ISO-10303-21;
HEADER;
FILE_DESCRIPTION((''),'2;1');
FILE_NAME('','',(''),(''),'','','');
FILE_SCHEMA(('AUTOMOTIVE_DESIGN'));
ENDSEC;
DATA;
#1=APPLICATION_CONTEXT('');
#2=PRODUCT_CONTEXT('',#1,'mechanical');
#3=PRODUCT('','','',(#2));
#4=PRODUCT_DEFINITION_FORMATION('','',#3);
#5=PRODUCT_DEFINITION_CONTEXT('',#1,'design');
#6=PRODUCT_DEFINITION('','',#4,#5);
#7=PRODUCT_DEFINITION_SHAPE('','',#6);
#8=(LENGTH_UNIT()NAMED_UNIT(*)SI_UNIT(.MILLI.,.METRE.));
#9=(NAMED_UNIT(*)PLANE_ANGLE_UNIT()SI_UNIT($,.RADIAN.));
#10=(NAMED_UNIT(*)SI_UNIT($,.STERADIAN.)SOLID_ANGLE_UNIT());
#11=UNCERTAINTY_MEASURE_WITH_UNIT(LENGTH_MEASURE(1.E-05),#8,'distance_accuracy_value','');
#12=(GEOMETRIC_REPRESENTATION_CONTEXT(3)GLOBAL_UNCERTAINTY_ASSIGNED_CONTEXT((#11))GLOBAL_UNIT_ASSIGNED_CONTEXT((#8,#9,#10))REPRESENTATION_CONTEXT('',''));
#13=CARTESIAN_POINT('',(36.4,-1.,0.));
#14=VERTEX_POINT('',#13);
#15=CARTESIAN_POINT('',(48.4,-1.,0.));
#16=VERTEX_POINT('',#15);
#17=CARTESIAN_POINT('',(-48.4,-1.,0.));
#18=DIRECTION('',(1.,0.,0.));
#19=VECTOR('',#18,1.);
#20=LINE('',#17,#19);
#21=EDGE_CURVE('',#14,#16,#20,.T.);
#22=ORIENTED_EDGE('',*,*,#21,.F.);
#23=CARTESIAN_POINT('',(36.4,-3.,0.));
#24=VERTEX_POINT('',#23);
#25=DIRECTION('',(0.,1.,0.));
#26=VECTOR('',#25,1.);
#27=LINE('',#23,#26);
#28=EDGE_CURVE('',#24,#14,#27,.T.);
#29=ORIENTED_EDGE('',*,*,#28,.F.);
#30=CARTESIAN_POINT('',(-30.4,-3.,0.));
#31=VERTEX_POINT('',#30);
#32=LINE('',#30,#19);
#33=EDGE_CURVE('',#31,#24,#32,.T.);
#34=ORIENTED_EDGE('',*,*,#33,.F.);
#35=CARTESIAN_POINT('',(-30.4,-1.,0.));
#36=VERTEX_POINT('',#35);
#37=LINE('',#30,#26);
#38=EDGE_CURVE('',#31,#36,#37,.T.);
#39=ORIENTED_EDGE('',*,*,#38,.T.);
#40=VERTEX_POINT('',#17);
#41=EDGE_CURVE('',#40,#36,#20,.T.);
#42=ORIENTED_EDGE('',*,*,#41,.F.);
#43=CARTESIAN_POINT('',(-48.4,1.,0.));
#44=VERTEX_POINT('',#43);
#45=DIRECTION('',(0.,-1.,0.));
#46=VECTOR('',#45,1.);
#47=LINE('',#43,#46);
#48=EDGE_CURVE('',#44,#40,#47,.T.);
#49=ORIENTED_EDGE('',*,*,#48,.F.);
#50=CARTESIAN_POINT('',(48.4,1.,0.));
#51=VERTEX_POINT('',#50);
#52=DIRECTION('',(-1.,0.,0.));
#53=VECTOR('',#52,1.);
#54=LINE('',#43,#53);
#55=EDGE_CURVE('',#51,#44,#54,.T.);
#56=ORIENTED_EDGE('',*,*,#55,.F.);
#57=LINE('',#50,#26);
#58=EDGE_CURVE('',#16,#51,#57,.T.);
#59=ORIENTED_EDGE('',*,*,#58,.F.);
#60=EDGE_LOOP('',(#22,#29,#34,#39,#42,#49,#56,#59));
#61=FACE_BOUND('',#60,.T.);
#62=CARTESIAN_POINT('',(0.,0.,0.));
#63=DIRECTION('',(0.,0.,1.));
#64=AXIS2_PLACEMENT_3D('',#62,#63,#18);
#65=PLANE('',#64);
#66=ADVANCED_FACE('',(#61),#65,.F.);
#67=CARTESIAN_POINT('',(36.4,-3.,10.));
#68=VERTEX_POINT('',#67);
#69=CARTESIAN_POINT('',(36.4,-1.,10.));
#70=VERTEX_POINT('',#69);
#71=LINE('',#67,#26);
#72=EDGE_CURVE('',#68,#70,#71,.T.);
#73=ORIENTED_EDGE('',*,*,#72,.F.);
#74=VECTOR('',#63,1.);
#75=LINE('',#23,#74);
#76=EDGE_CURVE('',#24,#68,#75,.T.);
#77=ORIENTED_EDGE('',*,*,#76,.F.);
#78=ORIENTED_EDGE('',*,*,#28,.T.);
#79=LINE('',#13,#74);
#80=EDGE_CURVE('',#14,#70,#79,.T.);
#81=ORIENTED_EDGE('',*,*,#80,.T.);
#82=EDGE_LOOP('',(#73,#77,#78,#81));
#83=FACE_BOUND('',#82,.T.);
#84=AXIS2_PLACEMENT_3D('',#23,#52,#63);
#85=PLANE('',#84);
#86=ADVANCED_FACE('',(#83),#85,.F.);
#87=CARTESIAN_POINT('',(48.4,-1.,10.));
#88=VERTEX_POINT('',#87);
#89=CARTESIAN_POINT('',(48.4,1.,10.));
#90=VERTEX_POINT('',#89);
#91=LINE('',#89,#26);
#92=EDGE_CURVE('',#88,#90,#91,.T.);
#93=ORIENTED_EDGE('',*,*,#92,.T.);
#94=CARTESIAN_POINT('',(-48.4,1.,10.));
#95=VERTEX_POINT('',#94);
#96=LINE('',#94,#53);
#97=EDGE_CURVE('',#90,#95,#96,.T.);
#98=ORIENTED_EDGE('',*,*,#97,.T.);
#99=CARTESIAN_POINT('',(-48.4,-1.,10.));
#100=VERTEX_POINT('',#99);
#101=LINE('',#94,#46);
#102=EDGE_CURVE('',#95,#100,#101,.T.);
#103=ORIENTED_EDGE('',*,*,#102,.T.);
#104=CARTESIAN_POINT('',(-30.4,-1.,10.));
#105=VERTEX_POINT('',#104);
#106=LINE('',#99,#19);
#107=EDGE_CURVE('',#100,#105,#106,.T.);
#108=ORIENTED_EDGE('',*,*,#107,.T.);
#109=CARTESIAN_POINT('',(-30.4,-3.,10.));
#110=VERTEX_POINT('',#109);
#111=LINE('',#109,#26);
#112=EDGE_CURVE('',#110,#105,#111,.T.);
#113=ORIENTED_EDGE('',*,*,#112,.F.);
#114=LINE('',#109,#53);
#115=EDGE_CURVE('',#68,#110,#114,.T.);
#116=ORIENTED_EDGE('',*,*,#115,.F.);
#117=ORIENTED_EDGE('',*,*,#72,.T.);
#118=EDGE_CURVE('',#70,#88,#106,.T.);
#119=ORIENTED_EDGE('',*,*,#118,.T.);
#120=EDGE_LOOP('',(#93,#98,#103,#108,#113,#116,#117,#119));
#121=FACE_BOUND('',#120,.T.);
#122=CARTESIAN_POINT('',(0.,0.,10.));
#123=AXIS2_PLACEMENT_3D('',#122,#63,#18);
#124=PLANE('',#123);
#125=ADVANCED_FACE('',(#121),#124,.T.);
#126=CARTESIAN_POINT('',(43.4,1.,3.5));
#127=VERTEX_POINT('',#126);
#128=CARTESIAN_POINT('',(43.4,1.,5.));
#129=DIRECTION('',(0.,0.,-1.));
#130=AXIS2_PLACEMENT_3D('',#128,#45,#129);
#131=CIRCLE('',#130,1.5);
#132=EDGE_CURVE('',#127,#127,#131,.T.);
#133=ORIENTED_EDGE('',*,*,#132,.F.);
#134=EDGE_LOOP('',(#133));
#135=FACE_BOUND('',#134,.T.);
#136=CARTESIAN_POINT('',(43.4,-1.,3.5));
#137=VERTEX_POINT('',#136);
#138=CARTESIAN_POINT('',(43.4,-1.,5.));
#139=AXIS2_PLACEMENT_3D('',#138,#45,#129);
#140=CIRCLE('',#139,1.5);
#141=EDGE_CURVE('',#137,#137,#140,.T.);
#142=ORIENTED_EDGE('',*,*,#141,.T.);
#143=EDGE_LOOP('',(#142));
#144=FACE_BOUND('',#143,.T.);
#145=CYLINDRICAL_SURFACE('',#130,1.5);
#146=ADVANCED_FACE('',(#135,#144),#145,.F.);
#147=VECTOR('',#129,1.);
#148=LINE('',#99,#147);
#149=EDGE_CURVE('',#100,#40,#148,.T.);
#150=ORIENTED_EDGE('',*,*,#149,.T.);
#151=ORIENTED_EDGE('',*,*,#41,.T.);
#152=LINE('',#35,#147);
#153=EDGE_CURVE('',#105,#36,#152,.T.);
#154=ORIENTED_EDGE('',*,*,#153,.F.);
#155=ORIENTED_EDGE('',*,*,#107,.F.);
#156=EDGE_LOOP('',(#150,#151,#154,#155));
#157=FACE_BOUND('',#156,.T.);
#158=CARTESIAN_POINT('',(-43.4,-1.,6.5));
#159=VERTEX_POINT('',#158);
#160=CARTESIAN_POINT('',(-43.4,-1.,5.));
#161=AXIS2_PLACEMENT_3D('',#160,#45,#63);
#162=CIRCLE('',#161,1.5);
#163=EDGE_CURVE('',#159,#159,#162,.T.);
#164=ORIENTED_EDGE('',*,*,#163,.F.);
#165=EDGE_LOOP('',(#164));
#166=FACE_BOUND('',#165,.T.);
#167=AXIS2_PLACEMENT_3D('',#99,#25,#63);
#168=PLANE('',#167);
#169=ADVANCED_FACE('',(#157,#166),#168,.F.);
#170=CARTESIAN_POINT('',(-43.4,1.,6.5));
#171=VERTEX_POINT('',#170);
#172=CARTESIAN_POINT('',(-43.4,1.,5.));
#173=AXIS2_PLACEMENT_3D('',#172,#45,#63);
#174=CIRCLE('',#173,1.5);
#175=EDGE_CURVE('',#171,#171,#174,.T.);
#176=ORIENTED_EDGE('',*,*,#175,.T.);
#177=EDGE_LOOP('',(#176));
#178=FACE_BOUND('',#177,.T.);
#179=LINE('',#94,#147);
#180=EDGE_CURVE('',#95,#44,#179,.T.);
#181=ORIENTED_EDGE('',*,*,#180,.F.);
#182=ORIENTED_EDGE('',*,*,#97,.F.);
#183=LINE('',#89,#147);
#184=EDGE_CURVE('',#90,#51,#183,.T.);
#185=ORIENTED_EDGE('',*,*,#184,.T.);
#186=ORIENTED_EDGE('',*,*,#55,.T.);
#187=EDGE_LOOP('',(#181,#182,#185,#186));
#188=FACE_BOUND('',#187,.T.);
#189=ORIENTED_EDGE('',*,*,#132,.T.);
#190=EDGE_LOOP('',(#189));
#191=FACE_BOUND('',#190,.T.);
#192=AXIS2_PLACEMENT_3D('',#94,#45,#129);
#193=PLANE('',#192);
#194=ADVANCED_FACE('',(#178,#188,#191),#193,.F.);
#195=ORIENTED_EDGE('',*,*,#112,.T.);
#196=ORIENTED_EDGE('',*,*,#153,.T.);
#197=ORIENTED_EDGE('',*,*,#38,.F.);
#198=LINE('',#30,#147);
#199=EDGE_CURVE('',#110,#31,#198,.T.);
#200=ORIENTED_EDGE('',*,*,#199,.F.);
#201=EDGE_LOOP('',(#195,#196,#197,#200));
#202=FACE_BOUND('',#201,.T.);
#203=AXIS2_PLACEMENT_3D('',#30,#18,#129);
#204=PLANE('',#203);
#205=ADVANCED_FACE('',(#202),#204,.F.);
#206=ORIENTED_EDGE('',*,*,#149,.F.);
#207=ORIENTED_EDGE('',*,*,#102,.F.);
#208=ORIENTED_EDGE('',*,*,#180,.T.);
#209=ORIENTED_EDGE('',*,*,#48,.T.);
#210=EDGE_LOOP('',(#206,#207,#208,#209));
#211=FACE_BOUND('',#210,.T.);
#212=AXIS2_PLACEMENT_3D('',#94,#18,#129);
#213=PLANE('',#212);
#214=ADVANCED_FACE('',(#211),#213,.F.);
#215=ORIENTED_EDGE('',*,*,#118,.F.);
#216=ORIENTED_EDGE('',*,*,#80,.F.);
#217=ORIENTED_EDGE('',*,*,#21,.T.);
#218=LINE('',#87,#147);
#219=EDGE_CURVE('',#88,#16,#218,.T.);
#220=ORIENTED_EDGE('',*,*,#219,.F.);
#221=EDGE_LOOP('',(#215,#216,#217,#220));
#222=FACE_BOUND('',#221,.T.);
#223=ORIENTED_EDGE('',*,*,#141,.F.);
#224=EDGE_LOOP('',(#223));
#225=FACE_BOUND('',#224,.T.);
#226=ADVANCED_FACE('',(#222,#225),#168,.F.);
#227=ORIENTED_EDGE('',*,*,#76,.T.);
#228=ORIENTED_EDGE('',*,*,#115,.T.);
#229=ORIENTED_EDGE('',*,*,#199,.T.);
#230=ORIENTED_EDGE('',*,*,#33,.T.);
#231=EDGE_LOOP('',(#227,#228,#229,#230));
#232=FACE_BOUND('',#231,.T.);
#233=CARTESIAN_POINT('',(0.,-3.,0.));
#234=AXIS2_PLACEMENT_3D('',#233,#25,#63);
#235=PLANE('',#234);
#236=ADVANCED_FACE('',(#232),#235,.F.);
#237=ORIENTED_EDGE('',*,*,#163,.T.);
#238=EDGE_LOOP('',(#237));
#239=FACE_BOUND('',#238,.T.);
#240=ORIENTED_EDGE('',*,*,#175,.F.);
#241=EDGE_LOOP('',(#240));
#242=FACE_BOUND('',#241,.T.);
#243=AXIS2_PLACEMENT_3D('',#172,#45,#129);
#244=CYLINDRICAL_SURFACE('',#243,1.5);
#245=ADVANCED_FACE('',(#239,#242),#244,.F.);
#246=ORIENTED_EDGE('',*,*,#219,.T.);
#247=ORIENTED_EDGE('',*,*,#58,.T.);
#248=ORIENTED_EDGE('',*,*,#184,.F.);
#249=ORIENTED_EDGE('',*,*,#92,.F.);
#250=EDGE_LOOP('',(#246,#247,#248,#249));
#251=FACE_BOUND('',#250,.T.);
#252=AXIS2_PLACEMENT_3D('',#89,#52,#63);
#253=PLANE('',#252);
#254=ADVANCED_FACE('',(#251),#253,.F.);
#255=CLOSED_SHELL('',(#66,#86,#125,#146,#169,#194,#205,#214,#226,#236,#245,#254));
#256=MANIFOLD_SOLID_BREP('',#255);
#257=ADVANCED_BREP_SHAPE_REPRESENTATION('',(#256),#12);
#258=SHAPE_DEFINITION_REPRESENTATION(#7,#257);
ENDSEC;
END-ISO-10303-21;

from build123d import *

# Parameters (mm, degrees)
CROQUIS2_W              = 96.8
CROQUIS2_H              = 2
SALIENTE_EXTRUIR2_DEPTH = 10
CROQUIS3_W              = 66.8
CROQUIS3_H              = 10
SALIENTE_EXTRUIR3_DEPTH = 2
CROQUIS5_R              = 1.5
CORTAR_EXTRUIR1_DEPTH   = 2


with BuildPart() as part:
    # Croquis2 → Saliente-Extruir2 (new body)
    with BuildSketch(Plane.XY):
        Rectangle(CROQUIS2_W, CROQUIS2_H)
    extrude(amount=SALIENTE_EXTRUIR2_DEPTH)

    # Croquis3 → Saliente-Extruir3 (add)
    with BuildSketch(Plane.XZ.offset(1)):
        with Locations((3, 5)):
            Rectangle(CROQUIS3_W, CROQUIS3_H)
    extrude(amount=SALIENTE_EXTRUIR3_DEPTH)

    # Croquis5 → Cortar-Extruir1 (cut)
    with BuildSketch(Plane.XZ.offset(1)):
        with Locations(Location((43.4, 5, 0), (0, 0, 270))):
            Circle(CROQUIS5_R)
        with Locations(Location((-43.4, 5, 0), (0, 0, 90))):
            Circle(CROQUIS5_R)
    extrude(amount=-CORTAR_EXTRUIR1_DEPTH, mode=Mode.SUBTRACT)


solid = part.part
